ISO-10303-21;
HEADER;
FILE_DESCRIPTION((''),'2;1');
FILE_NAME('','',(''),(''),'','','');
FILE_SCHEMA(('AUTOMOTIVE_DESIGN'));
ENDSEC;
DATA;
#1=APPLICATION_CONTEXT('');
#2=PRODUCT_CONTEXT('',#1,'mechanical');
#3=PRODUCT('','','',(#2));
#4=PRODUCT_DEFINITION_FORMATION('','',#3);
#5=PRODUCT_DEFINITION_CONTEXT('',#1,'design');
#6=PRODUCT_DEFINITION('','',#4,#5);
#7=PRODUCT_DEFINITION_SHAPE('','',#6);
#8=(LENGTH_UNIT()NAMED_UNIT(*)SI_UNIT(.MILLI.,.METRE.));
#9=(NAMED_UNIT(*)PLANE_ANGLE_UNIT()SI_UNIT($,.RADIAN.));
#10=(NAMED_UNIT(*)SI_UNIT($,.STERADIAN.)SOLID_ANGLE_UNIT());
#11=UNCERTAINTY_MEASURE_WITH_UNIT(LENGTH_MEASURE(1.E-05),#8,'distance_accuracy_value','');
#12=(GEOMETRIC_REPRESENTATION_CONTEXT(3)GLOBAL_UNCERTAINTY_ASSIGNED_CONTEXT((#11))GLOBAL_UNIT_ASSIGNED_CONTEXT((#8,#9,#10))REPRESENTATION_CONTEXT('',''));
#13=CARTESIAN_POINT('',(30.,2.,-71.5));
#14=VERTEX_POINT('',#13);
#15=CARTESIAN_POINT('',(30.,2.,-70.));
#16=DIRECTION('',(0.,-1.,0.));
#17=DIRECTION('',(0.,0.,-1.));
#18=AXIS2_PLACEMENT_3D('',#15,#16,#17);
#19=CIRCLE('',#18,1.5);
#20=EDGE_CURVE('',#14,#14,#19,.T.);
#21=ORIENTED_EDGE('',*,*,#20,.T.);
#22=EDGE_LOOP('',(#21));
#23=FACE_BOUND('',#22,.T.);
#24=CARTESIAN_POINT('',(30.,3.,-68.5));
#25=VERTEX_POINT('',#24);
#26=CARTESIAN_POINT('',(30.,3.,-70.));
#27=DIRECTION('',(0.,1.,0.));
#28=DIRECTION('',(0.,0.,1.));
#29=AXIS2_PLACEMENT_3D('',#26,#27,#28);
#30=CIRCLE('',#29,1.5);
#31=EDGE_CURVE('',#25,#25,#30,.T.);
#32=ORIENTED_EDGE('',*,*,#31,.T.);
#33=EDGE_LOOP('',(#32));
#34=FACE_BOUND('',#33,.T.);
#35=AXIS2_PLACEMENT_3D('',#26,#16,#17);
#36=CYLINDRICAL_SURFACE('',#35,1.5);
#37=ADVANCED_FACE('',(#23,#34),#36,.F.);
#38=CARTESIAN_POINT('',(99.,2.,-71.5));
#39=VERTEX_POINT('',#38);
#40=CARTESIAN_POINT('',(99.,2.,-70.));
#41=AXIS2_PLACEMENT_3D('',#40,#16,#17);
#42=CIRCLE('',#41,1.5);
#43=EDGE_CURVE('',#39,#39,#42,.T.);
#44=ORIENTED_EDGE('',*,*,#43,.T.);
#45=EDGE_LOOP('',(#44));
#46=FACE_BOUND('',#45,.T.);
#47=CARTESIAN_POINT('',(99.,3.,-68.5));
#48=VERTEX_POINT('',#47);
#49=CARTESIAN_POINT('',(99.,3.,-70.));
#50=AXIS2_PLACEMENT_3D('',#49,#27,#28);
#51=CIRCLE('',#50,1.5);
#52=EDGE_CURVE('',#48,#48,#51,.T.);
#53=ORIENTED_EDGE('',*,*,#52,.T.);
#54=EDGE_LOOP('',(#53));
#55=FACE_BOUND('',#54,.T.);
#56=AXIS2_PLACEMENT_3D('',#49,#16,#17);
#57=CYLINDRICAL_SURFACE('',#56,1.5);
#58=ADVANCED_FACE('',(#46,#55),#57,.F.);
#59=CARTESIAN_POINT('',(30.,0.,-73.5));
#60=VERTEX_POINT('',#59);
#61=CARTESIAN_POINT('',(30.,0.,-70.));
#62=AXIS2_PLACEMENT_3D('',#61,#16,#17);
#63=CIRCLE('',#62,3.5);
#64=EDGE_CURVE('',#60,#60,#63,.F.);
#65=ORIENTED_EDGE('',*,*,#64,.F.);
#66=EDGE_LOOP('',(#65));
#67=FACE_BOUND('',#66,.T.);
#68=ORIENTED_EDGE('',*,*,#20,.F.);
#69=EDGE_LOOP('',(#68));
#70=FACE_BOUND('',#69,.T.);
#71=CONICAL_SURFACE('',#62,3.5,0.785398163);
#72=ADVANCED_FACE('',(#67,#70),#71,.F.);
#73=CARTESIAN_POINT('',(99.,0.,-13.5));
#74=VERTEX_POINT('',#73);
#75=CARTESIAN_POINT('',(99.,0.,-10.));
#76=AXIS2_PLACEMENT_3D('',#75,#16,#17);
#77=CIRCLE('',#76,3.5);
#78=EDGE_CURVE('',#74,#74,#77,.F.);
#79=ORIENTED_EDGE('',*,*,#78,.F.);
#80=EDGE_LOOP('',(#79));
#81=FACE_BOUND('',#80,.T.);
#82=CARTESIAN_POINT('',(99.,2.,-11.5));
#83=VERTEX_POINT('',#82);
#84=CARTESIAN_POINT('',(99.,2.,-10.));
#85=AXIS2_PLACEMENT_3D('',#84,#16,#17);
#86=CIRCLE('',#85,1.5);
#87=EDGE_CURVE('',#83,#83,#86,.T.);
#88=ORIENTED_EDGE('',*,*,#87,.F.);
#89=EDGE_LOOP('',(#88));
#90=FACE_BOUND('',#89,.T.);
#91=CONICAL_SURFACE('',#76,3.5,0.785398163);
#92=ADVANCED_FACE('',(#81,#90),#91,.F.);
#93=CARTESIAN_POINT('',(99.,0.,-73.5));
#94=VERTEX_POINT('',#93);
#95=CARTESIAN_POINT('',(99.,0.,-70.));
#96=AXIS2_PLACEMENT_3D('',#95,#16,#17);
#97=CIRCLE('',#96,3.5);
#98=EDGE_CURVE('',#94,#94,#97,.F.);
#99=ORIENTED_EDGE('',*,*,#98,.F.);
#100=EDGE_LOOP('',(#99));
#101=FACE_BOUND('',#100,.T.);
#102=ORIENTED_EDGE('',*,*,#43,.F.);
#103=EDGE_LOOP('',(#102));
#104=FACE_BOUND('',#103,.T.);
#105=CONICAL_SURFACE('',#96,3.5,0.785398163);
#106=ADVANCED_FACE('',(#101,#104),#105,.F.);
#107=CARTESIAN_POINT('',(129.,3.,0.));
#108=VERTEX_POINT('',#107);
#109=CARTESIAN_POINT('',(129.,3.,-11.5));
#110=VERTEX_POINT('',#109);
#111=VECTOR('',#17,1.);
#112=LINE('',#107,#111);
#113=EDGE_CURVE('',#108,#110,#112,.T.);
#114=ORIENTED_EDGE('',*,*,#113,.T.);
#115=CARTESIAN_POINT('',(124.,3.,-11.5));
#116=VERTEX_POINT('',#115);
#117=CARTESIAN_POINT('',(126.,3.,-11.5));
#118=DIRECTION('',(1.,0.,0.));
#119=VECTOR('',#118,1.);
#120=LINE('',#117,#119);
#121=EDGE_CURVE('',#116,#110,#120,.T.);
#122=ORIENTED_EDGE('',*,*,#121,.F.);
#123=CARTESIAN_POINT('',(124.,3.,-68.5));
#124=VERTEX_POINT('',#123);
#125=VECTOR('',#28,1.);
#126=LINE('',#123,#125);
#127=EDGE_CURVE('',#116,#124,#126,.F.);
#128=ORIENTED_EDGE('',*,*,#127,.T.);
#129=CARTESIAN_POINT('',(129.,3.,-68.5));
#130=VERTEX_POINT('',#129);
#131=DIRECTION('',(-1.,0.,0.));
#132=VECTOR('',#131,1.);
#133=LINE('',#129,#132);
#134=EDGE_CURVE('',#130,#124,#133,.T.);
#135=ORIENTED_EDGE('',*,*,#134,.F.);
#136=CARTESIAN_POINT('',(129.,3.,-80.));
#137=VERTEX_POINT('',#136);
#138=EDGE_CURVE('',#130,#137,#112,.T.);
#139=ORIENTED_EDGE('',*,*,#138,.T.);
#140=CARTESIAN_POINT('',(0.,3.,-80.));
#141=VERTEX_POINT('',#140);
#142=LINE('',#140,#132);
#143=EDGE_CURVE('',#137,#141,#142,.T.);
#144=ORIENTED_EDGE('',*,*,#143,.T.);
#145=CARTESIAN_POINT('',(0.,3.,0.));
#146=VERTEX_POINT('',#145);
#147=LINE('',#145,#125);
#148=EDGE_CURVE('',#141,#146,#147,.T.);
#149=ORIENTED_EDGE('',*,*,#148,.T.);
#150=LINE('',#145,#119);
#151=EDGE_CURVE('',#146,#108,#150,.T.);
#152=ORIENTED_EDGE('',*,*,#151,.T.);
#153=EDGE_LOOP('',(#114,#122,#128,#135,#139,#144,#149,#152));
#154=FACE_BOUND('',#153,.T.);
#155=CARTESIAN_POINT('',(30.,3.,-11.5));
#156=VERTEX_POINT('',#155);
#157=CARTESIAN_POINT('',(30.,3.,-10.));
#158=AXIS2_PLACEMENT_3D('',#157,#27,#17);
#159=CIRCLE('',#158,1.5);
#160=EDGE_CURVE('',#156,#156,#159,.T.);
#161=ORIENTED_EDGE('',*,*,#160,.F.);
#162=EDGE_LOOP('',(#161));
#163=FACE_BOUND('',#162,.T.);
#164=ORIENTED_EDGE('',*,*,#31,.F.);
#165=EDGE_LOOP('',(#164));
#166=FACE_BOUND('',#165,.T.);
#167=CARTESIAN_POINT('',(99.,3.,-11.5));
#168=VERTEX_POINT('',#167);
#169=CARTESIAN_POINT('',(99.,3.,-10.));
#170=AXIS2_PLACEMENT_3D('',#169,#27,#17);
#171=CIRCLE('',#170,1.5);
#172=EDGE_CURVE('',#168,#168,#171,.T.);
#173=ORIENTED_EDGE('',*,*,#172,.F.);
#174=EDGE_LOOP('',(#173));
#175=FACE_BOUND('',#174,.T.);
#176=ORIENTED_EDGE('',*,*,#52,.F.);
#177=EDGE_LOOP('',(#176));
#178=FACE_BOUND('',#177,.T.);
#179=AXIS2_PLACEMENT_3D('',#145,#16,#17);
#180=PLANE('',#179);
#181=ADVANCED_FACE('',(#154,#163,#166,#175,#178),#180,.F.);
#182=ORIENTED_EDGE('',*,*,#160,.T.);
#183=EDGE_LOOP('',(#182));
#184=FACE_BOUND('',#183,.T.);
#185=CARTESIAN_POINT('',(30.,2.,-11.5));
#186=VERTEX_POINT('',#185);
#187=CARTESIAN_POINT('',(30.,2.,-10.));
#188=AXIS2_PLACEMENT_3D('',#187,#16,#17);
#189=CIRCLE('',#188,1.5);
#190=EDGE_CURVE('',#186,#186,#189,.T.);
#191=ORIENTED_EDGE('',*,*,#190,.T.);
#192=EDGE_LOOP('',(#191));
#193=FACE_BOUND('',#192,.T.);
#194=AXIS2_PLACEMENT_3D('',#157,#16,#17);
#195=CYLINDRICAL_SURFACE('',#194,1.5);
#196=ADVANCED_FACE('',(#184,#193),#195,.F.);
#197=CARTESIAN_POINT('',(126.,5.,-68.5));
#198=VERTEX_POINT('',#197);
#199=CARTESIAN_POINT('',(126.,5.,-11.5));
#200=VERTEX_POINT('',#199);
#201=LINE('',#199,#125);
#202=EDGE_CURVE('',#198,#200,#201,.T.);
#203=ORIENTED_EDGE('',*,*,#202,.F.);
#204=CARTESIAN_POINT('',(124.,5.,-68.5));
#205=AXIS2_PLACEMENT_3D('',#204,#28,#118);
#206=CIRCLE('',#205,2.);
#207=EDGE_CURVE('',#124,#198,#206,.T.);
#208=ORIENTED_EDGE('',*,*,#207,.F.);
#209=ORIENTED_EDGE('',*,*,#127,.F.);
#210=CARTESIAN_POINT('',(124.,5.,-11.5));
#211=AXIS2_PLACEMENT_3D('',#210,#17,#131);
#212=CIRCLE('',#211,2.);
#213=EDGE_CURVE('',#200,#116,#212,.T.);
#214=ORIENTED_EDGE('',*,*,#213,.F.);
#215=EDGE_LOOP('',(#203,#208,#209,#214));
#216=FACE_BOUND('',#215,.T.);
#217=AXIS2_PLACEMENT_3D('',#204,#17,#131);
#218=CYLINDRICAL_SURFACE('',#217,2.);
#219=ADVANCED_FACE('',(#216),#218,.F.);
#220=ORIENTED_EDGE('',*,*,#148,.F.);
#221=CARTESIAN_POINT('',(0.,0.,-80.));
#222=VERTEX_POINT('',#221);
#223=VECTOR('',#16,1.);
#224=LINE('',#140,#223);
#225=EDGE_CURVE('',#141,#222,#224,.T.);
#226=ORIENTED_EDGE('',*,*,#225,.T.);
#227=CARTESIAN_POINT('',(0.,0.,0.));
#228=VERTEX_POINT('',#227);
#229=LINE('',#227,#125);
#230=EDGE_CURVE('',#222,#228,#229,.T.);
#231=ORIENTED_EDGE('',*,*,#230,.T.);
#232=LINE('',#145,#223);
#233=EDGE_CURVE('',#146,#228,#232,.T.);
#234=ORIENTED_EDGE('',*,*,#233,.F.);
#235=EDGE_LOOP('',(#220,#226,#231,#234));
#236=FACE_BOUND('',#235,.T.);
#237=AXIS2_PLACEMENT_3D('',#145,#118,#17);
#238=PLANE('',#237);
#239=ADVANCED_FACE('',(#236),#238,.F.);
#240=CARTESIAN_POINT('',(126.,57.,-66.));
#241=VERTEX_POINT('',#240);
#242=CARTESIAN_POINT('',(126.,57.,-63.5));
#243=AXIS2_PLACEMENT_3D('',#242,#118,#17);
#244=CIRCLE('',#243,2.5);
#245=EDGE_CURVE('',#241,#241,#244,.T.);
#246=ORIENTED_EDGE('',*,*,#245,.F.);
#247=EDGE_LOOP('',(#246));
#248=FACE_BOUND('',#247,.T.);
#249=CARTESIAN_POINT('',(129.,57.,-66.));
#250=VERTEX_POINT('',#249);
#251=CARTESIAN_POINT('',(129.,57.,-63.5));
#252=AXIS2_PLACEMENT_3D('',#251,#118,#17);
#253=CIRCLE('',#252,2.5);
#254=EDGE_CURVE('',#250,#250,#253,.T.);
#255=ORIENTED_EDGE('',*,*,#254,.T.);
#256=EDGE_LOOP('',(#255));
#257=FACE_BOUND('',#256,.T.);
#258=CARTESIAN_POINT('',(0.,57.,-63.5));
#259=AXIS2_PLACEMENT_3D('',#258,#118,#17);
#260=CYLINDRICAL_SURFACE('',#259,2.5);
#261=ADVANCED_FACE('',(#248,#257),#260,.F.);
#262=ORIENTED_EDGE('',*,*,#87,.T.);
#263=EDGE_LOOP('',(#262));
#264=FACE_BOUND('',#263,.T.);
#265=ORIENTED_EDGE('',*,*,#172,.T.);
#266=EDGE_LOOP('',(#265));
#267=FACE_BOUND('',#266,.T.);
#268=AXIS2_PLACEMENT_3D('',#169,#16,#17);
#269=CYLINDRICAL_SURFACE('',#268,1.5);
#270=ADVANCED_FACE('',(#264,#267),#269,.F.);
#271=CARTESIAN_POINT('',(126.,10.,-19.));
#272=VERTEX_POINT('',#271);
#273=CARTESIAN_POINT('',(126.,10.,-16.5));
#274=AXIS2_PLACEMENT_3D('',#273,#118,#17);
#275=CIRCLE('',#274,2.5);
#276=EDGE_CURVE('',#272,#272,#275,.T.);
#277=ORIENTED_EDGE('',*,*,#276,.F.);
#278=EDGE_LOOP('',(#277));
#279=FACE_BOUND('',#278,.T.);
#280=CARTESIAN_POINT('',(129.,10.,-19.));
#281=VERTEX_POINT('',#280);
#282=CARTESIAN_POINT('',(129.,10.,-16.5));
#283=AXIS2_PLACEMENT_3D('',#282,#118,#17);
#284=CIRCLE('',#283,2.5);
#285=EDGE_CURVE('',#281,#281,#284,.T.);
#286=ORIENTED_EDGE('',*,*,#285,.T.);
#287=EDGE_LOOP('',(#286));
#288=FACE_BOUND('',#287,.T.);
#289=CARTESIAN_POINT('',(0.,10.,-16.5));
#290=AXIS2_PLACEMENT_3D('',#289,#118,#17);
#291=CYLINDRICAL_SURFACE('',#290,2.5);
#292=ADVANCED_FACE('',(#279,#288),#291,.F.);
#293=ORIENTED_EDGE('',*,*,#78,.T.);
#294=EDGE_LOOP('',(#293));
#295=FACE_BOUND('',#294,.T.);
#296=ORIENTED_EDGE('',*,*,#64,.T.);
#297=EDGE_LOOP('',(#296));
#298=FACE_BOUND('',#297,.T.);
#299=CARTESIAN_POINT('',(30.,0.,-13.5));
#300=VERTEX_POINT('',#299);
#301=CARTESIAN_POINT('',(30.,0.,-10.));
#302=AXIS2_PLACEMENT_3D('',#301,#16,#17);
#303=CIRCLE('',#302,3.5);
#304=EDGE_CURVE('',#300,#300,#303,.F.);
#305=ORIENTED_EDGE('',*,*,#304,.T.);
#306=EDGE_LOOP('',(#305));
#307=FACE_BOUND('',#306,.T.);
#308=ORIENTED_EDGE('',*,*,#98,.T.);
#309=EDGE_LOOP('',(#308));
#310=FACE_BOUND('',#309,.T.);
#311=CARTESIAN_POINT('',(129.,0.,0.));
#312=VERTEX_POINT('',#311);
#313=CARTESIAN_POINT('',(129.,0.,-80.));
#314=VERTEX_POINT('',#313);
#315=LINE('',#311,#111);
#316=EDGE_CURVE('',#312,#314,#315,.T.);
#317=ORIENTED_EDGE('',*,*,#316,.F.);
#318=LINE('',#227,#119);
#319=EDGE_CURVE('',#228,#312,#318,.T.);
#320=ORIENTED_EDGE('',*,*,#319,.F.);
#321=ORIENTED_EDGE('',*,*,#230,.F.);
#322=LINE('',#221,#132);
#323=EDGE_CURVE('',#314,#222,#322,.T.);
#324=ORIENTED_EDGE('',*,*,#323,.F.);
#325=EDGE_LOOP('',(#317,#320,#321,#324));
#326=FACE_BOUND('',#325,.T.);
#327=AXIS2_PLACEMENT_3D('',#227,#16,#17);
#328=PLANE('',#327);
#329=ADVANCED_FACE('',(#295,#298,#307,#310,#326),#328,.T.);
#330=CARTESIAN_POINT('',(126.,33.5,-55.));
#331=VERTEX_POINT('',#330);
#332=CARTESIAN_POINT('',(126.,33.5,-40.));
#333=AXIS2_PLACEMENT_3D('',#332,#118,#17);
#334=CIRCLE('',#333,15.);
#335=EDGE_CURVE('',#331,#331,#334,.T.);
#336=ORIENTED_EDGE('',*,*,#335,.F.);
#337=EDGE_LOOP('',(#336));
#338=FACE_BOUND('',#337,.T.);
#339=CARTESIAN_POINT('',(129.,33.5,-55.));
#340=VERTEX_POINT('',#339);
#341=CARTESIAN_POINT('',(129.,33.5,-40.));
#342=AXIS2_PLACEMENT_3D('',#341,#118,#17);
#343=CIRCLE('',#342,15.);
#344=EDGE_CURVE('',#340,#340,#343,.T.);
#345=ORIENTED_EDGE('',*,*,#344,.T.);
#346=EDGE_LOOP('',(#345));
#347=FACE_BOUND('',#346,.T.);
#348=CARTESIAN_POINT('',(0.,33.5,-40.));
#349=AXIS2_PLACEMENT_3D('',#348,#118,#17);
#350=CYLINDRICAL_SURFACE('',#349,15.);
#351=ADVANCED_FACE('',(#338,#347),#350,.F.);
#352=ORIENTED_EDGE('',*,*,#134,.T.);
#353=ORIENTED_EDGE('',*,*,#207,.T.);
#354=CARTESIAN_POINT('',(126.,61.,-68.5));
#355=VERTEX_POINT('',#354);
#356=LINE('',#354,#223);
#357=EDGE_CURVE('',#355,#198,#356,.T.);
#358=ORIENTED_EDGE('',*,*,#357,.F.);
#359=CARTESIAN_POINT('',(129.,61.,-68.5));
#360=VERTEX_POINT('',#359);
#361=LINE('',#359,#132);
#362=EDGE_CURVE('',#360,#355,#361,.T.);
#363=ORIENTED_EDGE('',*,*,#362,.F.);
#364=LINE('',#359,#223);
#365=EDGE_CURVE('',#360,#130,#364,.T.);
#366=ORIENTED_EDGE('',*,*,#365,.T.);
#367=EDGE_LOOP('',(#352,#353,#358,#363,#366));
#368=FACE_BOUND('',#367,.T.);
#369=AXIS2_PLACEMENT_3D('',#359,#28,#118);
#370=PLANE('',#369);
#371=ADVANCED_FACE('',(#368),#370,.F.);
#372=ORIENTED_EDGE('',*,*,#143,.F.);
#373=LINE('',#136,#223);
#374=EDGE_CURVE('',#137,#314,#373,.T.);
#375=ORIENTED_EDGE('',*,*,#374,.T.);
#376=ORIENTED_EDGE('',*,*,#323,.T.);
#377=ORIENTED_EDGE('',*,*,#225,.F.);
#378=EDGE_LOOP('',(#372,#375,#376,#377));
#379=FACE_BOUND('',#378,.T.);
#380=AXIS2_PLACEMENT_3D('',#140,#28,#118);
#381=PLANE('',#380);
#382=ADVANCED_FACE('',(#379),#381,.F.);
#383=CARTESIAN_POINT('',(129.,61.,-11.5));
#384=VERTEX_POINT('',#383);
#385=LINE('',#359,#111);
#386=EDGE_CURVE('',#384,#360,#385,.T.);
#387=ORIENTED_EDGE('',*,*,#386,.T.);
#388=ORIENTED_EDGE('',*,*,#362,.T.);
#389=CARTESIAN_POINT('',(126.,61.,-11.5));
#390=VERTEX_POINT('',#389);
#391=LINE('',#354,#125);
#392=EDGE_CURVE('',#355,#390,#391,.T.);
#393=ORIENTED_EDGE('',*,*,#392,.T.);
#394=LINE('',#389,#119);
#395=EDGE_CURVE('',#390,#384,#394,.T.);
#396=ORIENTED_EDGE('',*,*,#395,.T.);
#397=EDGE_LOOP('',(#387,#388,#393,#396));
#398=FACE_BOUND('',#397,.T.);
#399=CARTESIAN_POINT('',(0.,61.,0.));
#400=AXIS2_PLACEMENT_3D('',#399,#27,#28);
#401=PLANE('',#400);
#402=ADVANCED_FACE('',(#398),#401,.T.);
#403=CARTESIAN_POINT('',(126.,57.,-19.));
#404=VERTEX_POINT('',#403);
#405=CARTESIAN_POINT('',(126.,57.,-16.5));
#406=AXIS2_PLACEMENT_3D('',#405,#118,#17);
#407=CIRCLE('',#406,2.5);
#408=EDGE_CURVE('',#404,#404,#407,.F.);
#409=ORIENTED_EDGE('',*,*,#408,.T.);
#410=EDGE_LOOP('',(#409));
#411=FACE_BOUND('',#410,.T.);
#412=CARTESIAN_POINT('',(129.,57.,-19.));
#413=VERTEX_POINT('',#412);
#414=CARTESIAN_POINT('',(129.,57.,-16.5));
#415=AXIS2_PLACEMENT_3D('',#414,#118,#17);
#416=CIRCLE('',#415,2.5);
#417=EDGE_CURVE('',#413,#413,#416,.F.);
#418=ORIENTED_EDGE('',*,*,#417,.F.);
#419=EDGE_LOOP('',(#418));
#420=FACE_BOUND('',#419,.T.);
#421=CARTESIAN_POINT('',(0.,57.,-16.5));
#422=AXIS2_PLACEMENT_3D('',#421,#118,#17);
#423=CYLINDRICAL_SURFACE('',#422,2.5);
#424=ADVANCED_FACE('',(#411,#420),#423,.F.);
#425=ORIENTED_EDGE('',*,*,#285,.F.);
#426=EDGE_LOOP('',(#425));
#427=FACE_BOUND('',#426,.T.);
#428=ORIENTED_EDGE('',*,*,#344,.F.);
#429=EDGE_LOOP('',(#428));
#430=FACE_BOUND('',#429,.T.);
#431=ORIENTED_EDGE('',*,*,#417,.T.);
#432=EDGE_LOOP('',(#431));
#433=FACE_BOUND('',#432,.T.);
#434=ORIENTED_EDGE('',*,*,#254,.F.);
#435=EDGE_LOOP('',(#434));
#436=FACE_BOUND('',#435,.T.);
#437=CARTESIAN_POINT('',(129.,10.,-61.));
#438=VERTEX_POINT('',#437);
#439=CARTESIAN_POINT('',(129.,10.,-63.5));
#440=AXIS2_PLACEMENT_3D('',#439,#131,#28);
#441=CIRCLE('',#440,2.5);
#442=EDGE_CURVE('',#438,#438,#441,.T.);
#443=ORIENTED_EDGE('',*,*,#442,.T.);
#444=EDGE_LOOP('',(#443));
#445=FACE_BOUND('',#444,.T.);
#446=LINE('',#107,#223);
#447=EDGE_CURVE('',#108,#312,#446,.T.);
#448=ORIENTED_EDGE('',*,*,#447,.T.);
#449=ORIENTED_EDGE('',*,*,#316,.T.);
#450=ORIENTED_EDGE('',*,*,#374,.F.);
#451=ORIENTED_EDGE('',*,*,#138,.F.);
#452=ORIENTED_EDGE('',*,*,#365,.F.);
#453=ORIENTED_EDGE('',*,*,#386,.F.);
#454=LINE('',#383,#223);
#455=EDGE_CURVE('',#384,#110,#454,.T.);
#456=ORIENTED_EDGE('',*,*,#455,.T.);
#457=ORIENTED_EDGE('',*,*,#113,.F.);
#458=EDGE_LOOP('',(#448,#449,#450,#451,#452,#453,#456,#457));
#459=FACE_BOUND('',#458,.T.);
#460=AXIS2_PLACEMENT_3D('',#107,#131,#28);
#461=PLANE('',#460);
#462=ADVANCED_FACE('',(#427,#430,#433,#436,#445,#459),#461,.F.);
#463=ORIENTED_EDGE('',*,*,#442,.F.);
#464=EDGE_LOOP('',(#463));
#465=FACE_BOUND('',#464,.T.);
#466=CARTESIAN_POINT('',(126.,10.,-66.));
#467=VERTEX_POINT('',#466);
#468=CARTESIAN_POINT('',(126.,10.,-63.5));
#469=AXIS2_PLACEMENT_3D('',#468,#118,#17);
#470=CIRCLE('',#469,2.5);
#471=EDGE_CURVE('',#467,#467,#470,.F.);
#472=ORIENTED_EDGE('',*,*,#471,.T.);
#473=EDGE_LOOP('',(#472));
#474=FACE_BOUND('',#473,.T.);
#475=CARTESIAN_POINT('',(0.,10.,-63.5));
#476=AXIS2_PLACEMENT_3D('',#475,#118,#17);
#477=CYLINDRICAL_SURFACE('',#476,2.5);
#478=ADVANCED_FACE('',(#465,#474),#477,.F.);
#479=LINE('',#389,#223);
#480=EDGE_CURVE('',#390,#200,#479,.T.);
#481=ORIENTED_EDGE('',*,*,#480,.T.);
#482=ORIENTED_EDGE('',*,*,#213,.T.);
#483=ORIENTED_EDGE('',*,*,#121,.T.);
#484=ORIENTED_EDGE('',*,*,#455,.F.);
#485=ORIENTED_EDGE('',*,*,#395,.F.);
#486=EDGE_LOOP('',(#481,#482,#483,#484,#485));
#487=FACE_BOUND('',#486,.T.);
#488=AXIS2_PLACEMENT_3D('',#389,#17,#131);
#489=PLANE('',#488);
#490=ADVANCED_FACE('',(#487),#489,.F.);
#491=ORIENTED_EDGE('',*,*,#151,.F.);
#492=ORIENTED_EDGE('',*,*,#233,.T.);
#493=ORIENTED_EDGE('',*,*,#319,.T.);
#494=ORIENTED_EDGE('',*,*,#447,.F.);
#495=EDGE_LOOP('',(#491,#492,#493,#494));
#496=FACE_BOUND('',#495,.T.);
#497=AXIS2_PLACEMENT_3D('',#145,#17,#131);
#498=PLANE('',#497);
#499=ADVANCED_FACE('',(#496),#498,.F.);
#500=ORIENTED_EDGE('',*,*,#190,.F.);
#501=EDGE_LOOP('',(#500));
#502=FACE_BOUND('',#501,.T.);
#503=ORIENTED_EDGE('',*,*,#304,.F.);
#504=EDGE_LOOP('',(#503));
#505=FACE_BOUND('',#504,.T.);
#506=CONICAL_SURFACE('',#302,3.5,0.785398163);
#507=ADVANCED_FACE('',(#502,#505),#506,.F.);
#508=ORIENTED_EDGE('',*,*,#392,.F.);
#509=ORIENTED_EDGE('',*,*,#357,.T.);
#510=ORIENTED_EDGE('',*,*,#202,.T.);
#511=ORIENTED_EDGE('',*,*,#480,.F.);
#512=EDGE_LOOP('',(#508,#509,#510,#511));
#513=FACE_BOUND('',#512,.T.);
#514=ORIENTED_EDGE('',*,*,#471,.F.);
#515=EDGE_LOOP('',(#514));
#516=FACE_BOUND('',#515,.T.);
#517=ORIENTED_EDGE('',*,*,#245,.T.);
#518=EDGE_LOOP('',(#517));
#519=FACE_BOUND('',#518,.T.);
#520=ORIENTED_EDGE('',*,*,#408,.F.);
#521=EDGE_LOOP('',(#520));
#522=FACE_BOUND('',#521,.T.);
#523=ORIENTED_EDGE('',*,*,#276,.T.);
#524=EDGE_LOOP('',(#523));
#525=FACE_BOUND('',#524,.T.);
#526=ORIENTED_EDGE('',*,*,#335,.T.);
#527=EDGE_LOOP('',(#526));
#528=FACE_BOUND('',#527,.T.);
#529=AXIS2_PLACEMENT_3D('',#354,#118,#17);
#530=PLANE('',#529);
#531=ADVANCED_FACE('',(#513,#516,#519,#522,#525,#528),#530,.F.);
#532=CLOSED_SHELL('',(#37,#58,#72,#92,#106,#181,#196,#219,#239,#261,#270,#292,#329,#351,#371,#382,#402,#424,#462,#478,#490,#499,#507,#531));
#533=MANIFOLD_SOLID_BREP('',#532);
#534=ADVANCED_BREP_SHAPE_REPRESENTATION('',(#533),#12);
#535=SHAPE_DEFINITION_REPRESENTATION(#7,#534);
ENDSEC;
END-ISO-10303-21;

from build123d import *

# Parameters (mm, degrees)
SKETCH1_W           = 129
SKETCH1_H           = 80
SKETCH1_R           = 1.5
BOSS_EXTRUDE1_DEPTH = 3
SKETCH2_W           = 3
SKETCH2_H           = 57
BOSS_EXTRUDE2_DEPTH = 58
FILLET1_R           = 2
SKETCH3_R           = 2.5
SKETCH3_R_2         = 15
CUT_EXTRUDE1_DEPTH  = 164.590953295
CHAMFER3_SIZE       = 2


with BuildPart() as part:
    # Sketch1 → Boss-Extrude1 (new body)
    with BuildSketch(Plane(origin=(0, 0, 0), x_dir=(1, 0, 0), z_dir=(0, 1, 0))):
        with Locations((64.5, 40)):
            Rectangle(SKETCH1_W, SKETCH1_H)
        with Locations(Location((99, 70, 0), (0, 0, 270))):
            Circle(SKETCH1_R, mode=Mode.SUBTRACT)
        with Locations(Location((30, 70, 0), (0, 0, 270))):
            Circle(SKETCH1_R, mode=Mode.SUBTRACT)
        with Locations(Location((99, 10, 0), (0, 0, 90))):
            Circle(SKETCH1_R, mode=Mode.SUBTRACT)
        with Locations(Location((30, 10, 0), (0, 0, 90))):
            Circle(SKETCH1_R, mode=Mode.SUBTRACT)
    extrude(amount=BOSS_EXTRUDE1_DEPTH)

    # Sketch2 → Boss-Extrude2 (add)
    with BuildSketch(Plane(origin=(0, 3, 0), x_dir=(1, 0, 0), z_dir=(0, 1, 0))):
        with Locations((127.5, 40)):
            Rectangle(SKETCH2_W, SKETCH2_H)
    extrude(amount=BOSS_EXTRUDE2_DEPTH)

    # Fillet1
    fillet1_edges = [part.edges().sort_by_distance(p)[0] for p in [
        (126, 3, -40),
    ]]
    fillet(fillet1_edges, radius=FILLET1_R)

    # Sketch3 → Cut-Extrude1 (cut, through all)
    with BuildSketch(Plane(origin=(129, 0, 0), x_dir=(0, 0, -1), z_dir=(1, 0, 0))):
        with Locations((16.5, 57)):
            Circle(SKETCH3_R)
        with Locations((40, 33.5)):
            Circle(SKETCH3_R_2)
        with Locations((63.5, 57)):
            Circle(SKETCH3_R)
        with Locations((16.5, 10)):
            Circle(SKETCH3_R)
        with Locations((63.5, 10)):
            Circle(SKETCH3_R)
    extrude(amount=-CUT_EXTRUDE1_DEPTH, mode=Mode.SUBTRACT)

    # Chamfer3
    chamfer3_edges = [part.edges().sort_by_distance(p)[0] for p in [
        (99, 0, -71.5),
        (30, 0, -71.5),
        (99, 0, -8.5),
        (30, 0, -8.5),
    ]]
    chamfer(chamfer3_edges, length=CHAMFER3_SIZE)


solid = part.part
